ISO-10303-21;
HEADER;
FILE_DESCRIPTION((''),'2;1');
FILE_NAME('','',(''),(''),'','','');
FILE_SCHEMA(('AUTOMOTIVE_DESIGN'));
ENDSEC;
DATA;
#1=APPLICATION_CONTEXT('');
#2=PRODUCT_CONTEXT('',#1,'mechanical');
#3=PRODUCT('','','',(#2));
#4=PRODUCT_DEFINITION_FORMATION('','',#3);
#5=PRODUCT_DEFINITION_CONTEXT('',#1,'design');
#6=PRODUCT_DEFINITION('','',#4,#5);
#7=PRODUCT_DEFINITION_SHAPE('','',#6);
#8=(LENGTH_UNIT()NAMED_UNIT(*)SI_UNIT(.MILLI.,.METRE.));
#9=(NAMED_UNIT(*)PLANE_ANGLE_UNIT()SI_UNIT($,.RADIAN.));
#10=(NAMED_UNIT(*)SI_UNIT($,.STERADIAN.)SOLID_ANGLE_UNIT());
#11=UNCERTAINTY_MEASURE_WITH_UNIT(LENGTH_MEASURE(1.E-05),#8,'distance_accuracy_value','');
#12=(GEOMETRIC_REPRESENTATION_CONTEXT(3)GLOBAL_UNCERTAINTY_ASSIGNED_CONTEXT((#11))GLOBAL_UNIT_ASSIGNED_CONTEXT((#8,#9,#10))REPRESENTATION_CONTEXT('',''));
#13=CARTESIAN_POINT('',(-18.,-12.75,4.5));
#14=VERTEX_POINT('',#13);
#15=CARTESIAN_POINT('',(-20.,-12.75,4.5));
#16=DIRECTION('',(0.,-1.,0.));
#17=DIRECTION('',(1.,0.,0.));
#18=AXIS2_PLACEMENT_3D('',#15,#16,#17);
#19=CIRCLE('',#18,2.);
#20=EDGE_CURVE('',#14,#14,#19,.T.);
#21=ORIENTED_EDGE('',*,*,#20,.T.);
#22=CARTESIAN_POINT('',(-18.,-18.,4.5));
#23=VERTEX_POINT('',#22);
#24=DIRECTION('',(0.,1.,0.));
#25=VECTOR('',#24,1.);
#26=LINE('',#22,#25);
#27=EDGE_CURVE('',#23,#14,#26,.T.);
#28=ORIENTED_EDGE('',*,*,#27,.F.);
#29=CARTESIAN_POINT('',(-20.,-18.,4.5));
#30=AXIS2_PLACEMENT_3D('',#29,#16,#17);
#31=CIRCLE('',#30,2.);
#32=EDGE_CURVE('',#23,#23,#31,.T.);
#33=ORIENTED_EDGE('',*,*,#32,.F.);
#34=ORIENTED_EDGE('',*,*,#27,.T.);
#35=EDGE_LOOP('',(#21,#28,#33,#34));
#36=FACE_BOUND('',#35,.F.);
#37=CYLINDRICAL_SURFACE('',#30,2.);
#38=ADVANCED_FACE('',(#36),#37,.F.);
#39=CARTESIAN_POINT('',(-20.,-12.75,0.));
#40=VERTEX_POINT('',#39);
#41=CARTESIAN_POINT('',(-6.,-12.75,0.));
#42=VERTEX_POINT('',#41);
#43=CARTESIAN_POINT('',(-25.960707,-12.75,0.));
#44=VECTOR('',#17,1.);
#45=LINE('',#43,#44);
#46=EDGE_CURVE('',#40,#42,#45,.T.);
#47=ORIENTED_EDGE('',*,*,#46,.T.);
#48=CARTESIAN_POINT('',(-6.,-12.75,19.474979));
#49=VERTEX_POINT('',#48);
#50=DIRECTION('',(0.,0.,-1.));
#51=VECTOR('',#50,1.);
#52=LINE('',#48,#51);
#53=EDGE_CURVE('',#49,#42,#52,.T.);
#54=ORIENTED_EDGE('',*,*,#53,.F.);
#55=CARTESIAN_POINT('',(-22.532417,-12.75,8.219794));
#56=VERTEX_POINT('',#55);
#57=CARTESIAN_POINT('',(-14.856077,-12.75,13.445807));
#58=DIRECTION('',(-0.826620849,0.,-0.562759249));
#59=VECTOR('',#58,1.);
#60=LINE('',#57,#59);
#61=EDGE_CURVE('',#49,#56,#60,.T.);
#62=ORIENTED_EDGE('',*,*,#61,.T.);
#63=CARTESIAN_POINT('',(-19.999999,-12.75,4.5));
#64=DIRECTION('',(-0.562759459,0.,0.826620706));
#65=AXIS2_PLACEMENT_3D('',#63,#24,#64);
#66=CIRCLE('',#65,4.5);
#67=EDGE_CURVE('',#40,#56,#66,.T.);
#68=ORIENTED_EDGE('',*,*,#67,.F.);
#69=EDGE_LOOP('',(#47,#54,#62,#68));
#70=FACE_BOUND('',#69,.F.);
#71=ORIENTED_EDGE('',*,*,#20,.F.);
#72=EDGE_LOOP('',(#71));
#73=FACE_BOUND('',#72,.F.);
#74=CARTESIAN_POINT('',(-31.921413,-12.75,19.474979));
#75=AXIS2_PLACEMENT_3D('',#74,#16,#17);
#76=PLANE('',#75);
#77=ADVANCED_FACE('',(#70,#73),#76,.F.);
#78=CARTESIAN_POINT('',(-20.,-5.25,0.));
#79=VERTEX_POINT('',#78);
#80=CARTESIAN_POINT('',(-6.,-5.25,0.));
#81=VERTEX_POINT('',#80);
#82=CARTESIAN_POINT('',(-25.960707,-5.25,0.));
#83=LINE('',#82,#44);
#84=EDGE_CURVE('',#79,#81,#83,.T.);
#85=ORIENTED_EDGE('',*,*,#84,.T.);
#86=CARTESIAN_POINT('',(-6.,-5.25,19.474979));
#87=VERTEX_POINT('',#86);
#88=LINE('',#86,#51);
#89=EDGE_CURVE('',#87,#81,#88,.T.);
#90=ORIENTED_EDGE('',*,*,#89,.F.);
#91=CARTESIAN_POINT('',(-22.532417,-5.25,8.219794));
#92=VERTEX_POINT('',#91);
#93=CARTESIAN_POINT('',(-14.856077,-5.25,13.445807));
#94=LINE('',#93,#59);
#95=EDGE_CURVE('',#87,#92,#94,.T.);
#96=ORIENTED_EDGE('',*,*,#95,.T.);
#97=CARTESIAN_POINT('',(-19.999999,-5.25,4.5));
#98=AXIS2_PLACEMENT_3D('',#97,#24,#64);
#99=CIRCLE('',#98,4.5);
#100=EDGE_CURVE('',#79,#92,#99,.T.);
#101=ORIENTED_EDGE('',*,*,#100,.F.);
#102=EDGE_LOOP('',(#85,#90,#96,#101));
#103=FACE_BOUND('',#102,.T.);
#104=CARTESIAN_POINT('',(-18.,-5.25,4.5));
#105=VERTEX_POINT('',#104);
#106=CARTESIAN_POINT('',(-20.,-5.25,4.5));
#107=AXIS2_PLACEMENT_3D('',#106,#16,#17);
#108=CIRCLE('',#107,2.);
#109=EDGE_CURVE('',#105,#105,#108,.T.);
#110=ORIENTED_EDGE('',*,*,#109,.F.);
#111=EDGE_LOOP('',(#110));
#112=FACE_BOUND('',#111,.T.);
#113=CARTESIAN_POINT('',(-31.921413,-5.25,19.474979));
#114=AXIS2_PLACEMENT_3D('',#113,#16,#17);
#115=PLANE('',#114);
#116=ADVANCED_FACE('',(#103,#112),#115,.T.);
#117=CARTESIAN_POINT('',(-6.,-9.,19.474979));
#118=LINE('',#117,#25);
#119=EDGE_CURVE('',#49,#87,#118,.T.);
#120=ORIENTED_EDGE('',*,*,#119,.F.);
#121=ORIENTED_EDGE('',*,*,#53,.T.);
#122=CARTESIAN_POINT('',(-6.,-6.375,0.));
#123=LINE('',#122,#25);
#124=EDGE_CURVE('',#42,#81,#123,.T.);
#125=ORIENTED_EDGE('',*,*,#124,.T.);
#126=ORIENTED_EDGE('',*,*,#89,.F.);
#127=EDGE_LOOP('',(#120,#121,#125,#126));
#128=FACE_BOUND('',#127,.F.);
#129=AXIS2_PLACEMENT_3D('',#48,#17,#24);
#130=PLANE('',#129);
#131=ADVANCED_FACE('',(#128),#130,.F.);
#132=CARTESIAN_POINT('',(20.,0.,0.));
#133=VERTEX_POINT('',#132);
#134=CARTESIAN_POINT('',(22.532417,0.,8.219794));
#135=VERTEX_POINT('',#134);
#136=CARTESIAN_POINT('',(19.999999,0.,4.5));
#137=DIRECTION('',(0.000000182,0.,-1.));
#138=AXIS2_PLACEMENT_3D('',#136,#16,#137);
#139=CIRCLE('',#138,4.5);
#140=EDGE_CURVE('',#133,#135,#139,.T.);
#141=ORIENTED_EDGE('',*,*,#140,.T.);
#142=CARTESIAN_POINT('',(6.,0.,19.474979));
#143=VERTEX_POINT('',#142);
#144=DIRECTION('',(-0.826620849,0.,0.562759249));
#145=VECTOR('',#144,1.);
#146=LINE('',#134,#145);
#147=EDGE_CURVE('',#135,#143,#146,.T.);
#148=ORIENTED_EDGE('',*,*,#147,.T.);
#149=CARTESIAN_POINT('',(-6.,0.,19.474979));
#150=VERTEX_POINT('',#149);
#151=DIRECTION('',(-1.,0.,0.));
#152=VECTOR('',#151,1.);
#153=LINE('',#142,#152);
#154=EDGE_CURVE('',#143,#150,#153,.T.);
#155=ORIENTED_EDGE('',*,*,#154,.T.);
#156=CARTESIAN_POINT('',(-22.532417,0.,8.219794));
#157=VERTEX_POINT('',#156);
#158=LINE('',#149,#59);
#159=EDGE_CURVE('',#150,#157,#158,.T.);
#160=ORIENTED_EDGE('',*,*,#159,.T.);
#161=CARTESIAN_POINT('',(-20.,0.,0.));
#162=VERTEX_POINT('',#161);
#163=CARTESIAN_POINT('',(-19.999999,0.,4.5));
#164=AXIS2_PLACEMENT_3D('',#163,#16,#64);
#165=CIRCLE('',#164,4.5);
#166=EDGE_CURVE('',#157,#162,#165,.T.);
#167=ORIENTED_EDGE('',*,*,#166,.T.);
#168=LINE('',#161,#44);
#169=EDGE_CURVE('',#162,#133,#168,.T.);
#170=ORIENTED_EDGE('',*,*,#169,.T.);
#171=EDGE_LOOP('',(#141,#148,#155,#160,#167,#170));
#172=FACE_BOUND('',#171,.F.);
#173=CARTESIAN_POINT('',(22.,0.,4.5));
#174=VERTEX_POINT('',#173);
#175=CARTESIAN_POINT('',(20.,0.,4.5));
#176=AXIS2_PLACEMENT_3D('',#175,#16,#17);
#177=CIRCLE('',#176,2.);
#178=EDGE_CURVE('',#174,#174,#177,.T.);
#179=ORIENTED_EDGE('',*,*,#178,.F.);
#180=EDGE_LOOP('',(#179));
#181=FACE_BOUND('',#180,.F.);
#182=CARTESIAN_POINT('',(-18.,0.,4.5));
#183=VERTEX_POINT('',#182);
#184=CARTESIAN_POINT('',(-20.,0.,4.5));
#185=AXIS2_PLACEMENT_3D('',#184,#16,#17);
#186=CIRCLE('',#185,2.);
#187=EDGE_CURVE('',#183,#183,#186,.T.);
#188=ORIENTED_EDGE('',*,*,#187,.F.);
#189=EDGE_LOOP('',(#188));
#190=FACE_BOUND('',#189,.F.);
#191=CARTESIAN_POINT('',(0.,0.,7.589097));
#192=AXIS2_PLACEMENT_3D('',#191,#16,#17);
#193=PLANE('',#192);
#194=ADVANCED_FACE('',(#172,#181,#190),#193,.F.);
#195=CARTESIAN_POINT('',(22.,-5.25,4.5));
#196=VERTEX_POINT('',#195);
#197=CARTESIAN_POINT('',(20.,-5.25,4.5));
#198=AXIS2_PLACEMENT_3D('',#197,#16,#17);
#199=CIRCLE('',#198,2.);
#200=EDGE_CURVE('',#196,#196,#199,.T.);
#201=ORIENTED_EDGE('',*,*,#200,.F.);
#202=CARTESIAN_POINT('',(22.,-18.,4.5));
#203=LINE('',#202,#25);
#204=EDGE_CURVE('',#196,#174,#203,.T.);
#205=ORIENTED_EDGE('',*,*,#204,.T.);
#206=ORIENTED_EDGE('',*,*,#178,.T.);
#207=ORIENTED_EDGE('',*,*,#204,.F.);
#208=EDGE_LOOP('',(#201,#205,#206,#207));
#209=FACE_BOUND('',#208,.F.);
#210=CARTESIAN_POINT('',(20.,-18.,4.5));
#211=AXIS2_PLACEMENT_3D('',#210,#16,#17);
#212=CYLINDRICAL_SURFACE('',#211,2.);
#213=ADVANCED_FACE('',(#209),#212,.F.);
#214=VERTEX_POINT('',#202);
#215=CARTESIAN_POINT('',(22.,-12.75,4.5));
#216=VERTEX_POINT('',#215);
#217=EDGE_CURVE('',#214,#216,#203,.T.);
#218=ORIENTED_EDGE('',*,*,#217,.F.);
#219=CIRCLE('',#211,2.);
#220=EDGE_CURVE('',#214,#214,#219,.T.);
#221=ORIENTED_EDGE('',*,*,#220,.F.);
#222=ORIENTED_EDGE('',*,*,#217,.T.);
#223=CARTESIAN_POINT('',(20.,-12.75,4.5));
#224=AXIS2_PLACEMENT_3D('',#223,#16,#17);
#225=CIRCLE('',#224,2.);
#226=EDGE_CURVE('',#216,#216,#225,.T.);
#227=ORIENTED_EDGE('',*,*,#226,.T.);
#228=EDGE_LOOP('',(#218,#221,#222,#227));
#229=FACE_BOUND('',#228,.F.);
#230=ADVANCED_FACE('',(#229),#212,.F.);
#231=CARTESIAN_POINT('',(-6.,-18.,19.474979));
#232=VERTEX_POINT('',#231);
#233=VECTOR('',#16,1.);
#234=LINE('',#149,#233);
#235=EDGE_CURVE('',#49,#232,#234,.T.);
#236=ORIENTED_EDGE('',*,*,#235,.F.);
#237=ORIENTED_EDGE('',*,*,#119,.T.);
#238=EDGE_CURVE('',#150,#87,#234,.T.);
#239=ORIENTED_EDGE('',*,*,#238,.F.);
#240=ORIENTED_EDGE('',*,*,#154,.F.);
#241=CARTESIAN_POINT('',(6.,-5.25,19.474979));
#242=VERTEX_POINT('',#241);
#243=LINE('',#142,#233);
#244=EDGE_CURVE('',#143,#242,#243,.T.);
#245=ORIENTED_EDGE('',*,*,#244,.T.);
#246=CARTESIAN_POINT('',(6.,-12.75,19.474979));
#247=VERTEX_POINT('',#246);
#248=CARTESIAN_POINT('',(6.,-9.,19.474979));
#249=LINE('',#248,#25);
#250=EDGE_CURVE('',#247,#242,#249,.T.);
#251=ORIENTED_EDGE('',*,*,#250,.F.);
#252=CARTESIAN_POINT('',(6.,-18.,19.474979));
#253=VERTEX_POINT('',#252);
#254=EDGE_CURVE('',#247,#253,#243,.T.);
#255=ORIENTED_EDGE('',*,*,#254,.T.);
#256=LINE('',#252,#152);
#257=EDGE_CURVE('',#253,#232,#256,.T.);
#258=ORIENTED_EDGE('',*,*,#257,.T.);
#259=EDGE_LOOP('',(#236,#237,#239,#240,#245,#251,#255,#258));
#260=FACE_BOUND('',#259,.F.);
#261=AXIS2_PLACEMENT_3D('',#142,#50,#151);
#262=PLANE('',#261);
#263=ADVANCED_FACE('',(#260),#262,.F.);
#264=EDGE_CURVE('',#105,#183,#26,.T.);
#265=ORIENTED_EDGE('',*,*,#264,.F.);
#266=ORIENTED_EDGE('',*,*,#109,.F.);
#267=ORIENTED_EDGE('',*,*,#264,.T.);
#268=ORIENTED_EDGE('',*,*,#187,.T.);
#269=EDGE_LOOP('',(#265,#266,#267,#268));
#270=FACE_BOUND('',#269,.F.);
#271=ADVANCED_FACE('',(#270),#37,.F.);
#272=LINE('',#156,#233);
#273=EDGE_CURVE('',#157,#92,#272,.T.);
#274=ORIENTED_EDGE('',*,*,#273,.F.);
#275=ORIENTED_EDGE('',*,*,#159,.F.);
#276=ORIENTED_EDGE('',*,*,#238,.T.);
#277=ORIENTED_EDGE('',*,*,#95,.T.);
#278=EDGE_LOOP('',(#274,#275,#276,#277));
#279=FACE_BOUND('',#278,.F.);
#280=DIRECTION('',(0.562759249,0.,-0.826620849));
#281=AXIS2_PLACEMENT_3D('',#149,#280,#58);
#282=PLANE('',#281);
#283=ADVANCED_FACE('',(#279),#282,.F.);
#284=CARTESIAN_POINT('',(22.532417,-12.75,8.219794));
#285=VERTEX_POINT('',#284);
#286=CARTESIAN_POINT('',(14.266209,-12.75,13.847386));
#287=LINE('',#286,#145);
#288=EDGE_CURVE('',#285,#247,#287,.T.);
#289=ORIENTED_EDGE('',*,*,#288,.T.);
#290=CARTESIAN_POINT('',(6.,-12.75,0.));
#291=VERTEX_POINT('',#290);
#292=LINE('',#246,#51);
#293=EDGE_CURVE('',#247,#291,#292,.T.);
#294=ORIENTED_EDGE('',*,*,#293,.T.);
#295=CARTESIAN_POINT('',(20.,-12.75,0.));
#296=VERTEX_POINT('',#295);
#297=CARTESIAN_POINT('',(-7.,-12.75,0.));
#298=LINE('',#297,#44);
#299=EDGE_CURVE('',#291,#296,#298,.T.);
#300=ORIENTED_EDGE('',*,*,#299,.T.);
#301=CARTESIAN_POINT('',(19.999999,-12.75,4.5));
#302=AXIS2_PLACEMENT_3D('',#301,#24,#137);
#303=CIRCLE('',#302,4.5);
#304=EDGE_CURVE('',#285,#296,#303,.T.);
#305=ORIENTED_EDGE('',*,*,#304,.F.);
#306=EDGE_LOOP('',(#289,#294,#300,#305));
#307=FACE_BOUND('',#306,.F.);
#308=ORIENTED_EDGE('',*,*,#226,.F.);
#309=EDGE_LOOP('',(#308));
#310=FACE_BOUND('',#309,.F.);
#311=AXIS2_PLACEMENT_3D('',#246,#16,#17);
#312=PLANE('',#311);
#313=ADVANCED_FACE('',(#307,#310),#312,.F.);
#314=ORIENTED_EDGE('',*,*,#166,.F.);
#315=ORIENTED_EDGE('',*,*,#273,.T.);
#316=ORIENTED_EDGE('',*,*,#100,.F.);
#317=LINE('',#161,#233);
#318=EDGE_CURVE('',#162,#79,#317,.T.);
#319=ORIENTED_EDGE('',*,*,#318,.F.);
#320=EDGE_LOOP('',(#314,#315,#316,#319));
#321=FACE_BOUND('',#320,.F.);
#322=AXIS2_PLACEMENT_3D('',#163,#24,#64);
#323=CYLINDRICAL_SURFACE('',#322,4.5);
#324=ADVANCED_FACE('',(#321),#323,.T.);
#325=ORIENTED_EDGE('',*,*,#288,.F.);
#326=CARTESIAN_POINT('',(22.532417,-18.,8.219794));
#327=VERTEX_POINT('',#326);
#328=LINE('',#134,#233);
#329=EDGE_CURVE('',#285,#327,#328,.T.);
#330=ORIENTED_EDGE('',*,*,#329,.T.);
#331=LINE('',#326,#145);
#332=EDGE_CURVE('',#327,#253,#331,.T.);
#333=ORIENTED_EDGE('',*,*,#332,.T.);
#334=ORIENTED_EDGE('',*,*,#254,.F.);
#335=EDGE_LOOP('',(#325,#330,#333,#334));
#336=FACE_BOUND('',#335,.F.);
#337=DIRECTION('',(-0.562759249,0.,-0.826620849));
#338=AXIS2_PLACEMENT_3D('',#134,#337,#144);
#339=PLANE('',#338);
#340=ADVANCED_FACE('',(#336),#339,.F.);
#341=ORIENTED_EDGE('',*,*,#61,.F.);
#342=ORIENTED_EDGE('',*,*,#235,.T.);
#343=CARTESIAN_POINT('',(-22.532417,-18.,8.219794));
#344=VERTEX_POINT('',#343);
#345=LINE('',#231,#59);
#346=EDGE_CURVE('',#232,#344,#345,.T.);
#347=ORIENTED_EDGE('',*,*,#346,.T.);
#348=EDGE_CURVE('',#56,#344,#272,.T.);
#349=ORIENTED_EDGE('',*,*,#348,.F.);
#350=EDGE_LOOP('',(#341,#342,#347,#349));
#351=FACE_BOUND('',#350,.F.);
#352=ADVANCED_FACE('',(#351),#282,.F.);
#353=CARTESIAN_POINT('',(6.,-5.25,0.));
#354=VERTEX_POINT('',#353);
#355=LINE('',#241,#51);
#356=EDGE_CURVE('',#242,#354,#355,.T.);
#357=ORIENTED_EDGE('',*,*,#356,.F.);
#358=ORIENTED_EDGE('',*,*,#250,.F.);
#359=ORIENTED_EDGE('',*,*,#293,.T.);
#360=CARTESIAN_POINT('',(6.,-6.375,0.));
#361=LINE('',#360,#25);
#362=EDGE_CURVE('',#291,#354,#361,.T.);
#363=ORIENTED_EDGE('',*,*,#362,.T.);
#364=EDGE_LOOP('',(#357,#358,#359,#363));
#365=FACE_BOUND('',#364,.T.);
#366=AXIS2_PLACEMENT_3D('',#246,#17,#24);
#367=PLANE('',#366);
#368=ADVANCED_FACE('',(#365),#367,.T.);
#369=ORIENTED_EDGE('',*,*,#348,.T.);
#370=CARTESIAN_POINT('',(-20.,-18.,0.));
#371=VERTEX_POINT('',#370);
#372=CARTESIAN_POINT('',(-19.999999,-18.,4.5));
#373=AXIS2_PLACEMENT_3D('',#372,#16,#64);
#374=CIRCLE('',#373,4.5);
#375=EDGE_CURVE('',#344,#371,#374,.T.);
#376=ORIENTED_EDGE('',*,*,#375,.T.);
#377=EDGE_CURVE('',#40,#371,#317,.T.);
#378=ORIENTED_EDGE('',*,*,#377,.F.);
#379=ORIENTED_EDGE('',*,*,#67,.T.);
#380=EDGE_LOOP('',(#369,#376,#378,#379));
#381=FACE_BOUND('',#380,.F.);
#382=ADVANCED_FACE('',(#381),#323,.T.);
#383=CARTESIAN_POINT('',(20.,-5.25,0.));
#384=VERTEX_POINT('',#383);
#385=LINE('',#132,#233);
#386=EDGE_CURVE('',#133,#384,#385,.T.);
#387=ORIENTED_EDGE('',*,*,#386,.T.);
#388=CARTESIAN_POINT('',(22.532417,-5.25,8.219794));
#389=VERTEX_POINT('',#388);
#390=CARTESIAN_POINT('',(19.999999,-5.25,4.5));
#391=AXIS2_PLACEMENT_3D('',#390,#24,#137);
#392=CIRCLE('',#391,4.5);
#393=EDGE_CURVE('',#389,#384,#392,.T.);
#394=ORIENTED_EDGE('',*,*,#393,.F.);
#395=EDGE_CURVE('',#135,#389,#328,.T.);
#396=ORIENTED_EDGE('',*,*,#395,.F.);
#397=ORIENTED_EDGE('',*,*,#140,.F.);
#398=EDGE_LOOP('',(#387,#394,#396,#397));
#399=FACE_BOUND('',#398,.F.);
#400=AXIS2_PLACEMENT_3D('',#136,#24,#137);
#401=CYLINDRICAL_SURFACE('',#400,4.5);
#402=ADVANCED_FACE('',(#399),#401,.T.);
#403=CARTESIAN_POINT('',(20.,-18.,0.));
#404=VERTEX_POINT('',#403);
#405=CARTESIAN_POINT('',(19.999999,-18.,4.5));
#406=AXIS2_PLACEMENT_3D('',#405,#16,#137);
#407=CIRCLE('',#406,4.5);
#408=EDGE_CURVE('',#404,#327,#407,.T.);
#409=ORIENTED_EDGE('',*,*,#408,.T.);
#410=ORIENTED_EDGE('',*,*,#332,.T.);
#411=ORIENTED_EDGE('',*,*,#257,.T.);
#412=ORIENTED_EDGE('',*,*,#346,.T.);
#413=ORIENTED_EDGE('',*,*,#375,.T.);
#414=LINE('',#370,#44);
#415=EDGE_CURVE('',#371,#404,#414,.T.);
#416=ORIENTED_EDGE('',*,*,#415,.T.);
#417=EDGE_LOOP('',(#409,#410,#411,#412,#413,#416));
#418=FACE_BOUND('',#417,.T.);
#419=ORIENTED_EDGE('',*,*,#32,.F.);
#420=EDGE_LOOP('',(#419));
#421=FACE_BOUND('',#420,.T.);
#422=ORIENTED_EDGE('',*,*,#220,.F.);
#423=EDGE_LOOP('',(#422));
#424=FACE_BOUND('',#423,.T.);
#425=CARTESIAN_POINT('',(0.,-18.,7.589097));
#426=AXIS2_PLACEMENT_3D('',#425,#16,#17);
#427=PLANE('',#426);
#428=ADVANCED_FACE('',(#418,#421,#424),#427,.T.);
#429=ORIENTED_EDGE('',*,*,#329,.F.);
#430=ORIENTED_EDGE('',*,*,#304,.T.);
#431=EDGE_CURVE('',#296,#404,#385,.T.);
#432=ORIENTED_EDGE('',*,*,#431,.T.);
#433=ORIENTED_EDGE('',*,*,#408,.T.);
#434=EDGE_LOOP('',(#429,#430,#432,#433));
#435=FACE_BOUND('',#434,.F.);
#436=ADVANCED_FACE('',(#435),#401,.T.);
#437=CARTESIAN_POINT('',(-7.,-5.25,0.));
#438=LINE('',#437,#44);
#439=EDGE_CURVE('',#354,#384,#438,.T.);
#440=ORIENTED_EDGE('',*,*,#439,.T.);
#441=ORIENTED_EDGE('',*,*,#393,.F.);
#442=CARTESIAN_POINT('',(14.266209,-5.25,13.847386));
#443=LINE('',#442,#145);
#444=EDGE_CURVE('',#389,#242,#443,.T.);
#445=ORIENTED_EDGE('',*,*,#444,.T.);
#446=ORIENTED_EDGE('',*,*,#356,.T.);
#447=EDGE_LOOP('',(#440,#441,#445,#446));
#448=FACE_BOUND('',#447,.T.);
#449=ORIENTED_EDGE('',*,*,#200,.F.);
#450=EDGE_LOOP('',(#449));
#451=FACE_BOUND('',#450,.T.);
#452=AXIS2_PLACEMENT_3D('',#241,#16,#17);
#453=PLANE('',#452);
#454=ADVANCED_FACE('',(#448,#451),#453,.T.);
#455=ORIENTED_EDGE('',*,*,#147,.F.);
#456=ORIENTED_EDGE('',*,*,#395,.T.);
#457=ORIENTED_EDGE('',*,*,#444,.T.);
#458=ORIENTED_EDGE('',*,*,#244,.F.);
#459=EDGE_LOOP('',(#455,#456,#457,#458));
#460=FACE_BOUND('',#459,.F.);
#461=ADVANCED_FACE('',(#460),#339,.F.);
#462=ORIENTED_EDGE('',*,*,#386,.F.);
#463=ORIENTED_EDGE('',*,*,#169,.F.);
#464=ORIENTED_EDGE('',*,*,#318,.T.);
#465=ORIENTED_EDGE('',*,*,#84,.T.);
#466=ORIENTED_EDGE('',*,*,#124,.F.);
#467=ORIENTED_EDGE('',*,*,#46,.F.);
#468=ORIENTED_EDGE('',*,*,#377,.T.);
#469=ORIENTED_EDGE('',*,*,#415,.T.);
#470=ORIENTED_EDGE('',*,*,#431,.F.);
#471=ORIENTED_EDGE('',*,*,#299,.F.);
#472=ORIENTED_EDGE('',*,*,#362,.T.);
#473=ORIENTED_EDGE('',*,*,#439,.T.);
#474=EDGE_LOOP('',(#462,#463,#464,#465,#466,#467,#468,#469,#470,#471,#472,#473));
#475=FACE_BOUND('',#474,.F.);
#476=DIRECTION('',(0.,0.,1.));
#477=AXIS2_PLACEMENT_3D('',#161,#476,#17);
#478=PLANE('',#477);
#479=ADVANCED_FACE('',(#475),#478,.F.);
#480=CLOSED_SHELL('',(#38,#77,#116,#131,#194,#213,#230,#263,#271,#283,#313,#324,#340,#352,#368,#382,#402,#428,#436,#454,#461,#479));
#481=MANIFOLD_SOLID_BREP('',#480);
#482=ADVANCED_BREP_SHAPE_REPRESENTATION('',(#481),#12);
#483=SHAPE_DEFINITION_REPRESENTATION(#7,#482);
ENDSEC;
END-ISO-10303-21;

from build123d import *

# Parameters (mm, degrees)
F1_DEPTH = 18
F2_W     = 25.921413
F2_H     = 7.5
F3_DEPTH = 25
F4_R     = 2
F5_DEPTH = 25


with BuildPart() as f1:
    # F0 (on Front) → F1 (new body)
    with BuildSketch(Plane.XZ):
        with BuildLine():
            Line((-20, 0), (0, 0))
            Line((0, 0), (20, 0))
            ThreePointArc((20, 0), (24.300527, 3.175061), (22.532417, 8.219794))
            Line((22.532417, 8.219794), (6, 19.474979))
            Line((6, 19.474979), (-6, 19.474979))
            Line((-6, 19.474979), (-22.532417, 8.219794))
            ThreePointArc((-22.532417, 8.219794), (-24.300527, 3.175061), (-20, 0))
        make_face()
    extrude(amount=F1_DEPTH)

    # F2 (on face) → F3 (cut)
    with BuildSketch(Plane.XY.offset(19.474979)):
        with Locations((-18.960707, -9)):
            Rectangle(F2_W, F2_H)
        with Locations((18.960707, -9)):
            Rectangle(F2_W, F2_H)
    extrude(amount=-F3_DEPTH, mode=Mode.SUBTRACT)

    # F4 (on face) → F5 (cut)
    with BuildSketch(Plane.XZ.offset(18)):
        with Locations((-20, 4.5)):
            Circle(F4_R)
        with Locations((20, 4.5)):
            Circle(F4_R)
    extrude(amount=-F5_DEPTH, mode=Mode.SUBTRACT)


solid = f1.part
